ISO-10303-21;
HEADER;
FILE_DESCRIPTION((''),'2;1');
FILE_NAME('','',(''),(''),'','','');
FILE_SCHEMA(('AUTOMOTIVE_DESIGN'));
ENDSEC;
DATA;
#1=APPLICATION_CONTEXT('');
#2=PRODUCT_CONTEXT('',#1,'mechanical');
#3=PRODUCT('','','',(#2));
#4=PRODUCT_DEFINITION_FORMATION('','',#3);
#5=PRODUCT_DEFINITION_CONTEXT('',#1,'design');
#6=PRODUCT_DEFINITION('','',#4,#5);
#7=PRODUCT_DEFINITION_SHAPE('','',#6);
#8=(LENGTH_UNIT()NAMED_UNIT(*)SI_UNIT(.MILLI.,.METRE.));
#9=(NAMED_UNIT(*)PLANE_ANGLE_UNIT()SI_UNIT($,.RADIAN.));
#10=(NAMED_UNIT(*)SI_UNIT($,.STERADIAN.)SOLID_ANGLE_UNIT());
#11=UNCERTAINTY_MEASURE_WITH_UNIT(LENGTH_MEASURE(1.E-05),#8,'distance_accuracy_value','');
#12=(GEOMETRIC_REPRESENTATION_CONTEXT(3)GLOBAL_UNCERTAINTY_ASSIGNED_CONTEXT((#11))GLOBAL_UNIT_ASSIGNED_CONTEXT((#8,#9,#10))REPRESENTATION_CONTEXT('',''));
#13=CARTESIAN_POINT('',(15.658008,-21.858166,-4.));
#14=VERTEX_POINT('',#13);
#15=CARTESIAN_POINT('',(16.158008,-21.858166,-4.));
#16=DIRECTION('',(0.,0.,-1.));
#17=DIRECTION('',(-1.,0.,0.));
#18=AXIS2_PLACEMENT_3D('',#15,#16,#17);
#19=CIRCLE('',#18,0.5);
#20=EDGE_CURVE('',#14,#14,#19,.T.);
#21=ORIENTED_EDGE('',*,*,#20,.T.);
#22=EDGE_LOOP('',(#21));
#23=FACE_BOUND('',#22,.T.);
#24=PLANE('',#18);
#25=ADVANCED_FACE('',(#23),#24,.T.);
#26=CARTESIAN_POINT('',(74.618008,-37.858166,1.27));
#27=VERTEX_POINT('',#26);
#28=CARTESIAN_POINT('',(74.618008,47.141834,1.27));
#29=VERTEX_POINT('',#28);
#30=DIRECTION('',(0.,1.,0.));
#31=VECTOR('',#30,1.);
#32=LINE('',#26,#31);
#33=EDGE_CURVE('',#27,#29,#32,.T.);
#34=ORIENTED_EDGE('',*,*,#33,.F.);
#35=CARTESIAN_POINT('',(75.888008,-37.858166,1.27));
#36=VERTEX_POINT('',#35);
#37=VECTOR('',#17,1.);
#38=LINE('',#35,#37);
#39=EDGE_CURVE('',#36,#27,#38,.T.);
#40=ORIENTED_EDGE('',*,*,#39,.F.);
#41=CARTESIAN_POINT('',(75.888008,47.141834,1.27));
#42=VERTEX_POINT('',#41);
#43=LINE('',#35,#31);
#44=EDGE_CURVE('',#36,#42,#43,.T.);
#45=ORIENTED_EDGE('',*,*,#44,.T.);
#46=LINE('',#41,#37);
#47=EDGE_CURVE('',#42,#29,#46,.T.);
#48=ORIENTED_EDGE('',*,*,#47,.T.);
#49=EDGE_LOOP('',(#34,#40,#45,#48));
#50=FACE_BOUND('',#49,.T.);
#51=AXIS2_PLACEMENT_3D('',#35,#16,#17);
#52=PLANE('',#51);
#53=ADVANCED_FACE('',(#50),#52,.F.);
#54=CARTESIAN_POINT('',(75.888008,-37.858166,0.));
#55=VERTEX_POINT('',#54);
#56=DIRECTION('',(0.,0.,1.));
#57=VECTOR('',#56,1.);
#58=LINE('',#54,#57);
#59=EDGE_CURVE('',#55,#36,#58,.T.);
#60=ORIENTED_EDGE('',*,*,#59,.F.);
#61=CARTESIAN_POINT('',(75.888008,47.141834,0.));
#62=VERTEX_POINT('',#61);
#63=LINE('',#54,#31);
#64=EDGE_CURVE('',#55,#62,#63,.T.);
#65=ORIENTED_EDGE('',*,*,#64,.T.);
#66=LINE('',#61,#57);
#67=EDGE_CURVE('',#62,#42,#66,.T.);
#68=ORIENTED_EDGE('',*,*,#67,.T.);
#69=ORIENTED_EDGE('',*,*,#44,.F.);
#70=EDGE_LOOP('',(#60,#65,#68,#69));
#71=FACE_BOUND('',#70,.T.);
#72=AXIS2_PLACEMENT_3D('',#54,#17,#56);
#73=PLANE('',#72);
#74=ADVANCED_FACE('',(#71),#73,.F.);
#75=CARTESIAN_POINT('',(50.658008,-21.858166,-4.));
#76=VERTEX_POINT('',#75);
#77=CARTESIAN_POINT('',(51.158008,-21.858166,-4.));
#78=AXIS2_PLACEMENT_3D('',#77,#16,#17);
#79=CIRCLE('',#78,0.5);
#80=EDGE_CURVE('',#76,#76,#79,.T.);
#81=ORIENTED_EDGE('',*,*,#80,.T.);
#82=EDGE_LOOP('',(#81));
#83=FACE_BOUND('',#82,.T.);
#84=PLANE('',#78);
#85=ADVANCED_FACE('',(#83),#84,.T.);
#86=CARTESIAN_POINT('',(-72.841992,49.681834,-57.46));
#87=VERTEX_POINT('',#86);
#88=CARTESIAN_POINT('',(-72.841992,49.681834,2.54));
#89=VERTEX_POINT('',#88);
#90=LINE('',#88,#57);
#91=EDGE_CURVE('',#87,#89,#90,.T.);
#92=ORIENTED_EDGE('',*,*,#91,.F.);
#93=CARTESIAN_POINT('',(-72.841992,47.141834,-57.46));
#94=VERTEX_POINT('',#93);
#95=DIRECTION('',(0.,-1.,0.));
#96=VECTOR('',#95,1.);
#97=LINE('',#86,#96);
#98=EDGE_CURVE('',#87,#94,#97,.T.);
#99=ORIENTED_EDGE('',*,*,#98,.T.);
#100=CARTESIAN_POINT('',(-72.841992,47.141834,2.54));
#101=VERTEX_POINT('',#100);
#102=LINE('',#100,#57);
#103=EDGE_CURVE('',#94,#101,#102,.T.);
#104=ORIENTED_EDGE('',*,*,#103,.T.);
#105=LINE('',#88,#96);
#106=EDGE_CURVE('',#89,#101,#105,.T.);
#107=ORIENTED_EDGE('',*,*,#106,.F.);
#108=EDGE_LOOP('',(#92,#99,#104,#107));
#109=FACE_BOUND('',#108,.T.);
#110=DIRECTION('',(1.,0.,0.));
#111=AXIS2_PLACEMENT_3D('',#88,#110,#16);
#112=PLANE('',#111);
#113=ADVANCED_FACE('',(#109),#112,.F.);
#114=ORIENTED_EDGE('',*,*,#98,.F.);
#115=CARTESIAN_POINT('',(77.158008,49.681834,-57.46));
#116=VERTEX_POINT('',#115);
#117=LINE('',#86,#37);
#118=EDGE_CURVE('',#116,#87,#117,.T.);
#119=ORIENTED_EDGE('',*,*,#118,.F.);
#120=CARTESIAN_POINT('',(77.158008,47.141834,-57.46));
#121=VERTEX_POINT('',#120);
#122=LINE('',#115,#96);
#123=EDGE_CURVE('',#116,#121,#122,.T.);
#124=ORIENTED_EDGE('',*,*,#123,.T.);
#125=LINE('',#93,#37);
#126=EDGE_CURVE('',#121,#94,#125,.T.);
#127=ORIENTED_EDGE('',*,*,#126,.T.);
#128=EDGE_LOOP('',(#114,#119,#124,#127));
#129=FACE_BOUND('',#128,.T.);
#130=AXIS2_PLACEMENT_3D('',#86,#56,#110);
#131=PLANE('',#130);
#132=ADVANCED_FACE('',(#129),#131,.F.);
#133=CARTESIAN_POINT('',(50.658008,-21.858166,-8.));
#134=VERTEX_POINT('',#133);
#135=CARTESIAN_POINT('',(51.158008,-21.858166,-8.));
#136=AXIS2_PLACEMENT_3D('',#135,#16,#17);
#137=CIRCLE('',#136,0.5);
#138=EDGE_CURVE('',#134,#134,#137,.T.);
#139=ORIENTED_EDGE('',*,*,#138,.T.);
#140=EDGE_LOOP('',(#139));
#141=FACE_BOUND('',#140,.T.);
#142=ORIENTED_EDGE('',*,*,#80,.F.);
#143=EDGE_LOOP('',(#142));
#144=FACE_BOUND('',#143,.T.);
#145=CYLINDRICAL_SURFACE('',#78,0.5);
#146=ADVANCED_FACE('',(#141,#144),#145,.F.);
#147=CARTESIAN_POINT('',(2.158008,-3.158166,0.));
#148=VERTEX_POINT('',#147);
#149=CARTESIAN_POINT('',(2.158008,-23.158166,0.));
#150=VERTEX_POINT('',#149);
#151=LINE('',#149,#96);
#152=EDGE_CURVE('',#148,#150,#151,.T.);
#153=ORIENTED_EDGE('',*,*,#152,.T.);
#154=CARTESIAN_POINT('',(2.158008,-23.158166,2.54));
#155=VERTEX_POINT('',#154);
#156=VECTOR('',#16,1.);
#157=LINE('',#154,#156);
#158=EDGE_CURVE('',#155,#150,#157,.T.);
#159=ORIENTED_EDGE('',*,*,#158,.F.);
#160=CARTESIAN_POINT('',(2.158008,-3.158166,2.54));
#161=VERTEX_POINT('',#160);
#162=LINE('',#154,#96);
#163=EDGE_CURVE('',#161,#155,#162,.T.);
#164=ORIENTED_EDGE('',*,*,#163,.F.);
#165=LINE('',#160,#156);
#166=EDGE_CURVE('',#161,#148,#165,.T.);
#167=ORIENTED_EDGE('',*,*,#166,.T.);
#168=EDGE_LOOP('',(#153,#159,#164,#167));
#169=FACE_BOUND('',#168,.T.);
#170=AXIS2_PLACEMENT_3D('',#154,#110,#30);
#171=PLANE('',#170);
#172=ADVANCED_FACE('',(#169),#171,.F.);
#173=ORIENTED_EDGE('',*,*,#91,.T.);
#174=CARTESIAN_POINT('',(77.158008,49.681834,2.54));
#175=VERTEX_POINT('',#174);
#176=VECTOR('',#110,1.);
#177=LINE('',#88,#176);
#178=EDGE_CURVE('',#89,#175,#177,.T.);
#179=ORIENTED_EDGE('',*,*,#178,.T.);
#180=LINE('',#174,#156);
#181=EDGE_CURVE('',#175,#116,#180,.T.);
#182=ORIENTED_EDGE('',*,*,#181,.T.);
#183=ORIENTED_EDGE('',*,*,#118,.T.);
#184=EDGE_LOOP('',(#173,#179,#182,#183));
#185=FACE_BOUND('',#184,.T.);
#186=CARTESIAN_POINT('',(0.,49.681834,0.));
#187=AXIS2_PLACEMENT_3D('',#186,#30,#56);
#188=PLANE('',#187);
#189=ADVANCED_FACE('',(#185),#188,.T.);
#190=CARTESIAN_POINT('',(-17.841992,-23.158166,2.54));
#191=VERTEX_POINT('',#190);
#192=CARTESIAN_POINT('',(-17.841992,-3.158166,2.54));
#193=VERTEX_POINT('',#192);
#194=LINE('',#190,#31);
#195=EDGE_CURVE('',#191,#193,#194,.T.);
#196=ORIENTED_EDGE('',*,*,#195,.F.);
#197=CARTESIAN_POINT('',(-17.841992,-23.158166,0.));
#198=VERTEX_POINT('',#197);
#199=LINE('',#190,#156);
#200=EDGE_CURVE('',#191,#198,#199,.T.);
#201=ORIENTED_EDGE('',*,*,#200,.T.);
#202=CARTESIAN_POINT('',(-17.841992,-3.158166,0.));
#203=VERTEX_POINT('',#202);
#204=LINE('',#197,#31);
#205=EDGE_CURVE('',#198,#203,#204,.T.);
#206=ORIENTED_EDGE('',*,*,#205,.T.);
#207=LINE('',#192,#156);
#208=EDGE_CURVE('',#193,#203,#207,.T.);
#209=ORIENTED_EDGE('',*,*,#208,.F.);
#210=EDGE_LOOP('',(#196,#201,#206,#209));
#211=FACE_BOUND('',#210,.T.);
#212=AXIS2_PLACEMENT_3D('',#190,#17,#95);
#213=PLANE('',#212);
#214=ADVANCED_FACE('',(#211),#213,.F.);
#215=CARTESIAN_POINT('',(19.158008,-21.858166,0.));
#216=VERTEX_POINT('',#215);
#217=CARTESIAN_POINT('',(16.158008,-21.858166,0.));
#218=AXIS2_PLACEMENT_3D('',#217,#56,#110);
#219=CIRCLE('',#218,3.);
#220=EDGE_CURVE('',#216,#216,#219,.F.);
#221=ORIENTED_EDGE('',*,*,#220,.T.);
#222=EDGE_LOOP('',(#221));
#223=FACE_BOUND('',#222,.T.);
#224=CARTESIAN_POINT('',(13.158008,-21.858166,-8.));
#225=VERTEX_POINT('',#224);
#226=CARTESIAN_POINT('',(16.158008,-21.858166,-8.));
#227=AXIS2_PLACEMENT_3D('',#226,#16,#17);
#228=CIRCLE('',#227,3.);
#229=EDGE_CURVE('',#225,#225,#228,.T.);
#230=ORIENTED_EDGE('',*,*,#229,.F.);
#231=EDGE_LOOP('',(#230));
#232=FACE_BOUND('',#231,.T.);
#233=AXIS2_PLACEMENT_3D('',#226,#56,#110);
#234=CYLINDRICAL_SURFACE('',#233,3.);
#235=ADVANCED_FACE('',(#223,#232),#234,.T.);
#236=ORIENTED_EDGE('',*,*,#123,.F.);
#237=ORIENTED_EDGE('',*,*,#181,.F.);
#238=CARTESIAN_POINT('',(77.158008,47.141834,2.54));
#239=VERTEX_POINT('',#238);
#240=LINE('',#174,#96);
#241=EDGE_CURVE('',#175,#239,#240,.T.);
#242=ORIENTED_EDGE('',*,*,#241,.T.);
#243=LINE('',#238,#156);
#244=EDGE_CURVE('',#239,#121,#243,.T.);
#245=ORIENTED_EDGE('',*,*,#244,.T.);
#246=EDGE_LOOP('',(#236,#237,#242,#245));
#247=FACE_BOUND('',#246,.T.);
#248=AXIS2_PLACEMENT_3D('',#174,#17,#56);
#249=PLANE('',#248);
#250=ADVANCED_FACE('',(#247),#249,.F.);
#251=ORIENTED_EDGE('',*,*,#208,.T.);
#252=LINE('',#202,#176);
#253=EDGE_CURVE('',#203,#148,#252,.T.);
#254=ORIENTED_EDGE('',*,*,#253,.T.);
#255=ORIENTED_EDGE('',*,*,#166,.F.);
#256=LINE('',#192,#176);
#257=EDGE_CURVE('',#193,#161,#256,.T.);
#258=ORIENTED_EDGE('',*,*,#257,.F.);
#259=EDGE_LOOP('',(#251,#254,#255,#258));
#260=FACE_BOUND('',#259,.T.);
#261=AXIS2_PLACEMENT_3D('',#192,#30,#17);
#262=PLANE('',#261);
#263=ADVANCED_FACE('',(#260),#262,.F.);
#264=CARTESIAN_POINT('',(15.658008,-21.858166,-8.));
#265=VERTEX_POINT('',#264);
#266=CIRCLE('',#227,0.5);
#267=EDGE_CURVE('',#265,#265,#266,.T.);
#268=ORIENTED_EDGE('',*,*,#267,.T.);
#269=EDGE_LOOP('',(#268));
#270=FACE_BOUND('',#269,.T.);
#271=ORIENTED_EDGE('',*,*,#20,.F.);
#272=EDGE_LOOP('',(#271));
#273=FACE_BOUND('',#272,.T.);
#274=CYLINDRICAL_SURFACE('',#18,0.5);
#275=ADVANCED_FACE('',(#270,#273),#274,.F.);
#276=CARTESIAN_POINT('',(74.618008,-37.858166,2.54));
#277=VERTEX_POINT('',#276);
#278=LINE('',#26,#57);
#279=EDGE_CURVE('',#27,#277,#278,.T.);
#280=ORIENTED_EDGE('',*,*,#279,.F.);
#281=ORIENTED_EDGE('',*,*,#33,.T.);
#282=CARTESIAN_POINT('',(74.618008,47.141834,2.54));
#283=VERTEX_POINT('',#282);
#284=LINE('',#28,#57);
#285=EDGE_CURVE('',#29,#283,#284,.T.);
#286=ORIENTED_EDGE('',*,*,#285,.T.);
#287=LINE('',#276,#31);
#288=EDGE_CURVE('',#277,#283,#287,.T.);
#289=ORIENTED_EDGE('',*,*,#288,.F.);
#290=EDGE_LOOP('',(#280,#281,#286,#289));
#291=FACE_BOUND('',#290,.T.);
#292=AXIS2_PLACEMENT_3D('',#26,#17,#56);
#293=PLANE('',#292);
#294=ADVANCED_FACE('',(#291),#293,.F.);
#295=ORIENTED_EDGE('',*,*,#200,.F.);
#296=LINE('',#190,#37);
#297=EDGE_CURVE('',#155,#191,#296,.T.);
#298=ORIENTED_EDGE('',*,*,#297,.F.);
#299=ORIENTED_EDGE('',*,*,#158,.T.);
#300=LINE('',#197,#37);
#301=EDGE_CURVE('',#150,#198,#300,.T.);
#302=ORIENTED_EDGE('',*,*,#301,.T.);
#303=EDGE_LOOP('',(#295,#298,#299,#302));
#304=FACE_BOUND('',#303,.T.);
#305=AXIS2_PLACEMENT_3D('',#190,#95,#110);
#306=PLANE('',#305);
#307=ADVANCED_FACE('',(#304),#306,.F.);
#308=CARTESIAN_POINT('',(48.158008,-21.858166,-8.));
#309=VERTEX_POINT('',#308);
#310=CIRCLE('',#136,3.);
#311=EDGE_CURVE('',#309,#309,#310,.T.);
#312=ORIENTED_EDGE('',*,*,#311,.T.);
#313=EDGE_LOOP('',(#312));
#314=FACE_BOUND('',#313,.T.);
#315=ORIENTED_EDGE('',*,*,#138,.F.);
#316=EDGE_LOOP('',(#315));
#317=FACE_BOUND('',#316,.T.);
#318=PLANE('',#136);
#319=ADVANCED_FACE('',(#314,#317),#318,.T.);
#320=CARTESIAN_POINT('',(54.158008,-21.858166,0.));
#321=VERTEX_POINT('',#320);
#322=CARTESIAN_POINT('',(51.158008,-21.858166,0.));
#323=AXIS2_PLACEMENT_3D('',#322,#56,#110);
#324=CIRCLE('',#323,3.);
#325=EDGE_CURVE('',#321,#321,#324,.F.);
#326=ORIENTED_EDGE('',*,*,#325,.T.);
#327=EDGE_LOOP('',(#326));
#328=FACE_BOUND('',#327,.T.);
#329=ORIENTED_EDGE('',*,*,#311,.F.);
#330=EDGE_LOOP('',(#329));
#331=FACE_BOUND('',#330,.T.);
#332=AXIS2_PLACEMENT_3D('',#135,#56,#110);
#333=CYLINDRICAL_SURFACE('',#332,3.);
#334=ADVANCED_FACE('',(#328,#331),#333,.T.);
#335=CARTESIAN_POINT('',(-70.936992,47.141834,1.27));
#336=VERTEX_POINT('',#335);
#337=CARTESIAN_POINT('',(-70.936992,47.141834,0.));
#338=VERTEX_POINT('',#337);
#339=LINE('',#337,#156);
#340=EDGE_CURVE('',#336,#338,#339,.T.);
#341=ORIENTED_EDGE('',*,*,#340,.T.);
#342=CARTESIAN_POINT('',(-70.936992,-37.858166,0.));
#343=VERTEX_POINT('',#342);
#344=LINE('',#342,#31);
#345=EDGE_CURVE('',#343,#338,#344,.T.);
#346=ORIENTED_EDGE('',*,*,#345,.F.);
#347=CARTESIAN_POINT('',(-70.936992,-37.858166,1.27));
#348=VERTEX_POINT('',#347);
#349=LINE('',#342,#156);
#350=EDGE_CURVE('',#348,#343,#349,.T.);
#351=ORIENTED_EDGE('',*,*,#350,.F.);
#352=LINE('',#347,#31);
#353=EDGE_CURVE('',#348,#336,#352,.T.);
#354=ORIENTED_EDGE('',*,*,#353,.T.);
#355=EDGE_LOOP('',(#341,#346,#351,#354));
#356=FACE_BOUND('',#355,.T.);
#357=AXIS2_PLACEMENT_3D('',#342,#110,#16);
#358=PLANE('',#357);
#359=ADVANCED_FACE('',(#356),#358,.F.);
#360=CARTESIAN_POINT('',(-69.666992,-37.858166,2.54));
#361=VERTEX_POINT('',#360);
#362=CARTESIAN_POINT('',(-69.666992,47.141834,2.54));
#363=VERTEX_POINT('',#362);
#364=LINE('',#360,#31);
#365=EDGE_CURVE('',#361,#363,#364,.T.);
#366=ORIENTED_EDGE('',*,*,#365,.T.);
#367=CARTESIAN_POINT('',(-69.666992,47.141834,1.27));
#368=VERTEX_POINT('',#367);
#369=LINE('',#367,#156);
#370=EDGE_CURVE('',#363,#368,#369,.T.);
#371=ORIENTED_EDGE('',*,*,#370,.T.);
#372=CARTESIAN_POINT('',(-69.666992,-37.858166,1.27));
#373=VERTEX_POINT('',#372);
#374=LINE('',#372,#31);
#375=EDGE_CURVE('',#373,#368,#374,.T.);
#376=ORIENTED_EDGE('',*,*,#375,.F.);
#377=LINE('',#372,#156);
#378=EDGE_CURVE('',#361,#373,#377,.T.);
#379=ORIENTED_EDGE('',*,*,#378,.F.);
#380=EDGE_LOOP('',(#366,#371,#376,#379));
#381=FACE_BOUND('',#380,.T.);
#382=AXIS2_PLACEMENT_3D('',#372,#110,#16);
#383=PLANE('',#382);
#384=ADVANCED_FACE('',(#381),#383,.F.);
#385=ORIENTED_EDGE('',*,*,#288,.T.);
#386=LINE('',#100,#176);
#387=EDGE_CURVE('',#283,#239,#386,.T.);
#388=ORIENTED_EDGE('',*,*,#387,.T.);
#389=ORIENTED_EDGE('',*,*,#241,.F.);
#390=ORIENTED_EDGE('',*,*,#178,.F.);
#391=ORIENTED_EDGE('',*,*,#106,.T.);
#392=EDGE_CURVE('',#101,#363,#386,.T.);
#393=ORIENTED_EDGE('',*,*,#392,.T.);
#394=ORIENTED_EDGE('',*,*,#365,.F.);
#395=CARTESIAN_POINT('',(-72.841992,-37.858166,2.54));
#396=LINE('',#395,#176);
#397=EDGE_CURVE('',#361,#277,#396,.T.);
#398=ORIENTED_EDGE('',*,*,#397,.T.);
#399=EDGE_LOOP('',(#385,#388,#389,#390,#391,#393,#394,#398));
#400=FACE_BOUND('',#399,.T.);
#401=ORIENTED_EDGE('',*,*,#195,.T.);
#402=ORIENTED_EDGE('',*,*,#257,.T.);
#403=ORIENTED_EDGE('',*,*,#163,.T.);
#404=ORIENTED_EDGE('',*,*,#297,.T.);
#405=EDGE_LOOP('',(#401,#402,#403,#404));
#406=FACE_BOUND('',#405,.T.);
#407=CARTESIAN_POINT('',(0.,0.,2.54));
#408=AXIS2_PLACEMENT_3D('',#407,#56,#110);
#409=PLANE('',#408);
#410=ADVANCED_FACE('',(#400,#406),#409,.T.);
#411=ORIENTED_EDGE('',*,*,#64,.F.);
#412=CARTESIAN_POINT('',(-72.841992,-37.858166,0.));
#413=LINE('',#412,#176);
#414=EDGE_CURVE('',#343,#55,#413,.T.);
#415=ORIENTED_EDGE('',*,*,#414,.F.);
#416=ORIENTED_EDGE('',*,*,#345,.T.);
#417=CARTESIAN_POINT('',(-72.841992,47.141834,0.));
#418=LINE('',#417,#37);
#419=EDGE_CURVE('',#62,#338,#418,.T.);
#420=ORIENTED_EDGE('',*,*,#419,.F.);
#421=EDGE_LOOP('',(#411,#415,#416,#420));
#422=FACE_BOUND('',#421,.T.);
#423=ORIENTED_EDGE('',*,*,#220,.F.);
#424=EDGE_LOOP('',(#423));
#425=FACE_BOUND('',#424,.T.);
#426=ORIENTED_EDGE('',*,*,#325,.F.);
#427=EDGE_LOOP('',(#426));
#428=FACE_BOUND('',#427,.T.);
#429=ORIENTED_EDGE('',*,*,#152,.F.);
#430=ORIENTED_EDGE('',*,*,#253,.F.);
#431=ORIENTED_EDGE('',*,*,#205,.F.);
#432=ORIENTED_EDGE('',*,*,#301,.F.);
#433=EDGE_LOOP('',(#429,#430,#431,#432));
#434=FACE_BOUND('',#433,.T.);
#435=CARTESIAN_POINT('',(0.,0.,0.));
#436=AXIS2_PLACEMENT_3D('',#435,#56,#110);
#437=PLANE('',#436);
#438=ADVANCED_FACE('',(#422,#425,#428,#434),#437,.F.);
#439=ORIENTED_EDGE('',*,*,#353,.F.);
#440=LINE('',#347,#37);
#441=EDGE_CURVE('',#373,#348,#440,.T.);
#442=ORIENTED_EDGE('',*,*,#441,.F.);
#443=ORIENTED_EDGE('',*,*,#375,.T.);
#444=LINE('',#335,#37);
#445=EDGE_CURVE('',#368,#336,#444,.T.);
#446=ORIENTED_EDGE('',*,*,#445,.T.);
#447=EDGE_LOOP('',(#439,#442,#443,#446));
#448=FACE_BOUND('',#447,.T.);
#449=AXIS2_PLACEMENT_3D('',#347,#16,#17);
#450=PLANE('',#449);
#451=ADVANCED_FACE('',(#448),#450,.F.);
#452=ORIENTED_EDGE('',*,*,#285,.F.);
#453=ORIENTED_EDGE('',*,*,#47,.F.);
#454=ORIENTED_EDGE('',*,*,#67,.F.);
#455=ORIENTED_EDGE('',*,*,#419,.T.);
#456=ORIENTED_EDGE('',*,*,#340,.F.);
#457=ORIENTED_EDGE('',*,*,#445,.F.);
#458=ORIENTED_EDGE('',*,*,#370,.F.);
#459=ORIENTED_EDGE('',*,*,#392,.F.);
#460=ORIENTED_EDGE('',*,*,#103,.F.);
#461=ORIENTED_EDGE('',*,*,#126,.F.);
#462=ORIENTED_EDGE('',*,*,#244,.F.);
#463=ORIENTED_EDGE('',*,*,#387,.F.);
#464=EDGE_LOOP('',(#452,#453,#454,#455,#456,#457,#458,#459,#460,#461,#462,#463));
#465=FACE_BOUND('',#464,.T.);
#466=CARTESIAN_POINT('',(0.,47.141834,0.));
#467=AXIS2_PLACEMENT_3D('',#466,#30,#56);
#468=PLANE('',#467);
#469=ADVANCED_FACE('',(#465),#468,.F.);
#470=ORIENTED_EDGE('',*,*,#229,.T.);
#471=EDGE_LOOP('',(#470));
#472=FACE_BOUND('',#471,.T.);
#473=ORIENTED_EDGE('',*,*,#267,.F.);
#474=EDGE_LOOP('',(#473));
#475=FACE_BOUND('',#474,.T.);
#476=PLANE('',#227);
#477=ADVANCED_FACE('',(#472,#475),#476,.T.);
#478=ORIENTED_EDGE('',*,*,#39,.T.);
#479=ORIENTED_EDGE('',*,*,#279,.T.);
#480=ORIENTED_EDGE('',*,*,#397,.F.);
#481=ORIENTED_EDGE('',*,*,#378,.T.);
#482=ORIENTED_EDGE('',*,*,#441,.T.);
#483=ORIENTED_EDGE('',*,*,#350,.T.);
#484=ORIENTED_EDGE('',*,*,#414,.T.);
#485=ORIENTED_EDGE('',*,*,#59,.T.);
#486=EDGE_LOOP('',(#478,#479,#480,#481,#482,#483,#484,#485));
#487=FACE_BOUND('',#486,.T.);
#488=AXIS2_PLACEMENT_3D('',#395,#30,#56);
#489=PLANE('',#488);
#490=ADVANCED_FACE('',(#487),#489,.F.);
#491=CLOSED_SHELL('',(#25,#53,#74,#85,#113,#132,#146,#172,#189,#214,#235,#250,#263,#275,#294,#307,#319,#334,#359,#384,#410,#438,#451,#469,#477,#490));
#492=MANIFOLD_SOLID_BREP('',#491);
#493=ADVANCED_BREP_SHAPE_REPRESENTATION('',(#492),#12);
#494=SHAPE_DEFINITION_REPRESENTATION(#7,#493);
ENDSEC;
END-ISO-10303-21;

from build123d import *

# Parameters (mm, degrees)
SKETCH1_W           = 150
SKETCH1_H           = 85
BOSS_EXTRUDE1_DEPTH = 2.54
SKETCH2_W           = 20
SKETCH2_H           = 20
CUT_EXTRUDE1_DEPTH  = 2.54
SKETCH3_R           = 3
BOSS_EXTRUDE2_DEPTH = 8
SKETCH9_R           = 0.5
CUT_EXTRUDE7_DEPTH  = 4
CUT_EXTRUDE8_DEPTH  = 85
SKETCH11_W          = 150
SKETCH11_H          = 60
BOSS_EXTRUDE3_DEPTH = 2.54


with BuildPart() as part:
    # Sketch1 → Boss-Extrude1 (new body)
    with BuildSketch(Plane.XY):
        with Locations((2.158007809, 4.641833841)):
            Rectangle(SKETCH1_W, SKETCH1_H)
    extrude(amount=BOSS_EXTRUDE1_DEPTH)

    # Sketch2 → Cut-Extrude1 (cut)
    with BuildSketch(Plane(origin=(0, 0, 0), x_dir=(-1, 0, 0), z_dir=(0, 0, -1))):
        with Locations((7.841992191, -13.158166159)):
            Rectangle(SKETCH2_W, SKETCH2_H)
    extrude(amount=-CUT_EXTRUDE1_DEPTH, mode=Mode.SUBTRACT)

    # Sketch3 → Boss-Extrude2 (add)
    with BuildSketch(Plane(origin=(0, 0, 0), x_dir=(-1, 0, 0), z_dir=(0, 0, -1))):
        with Locations(Location((-51.158007809, -21.858166159, 0), (0, 0, 180))):
            Circle(SKETCH3_R)
        with Locations(Location((-16.158007809, -21.858166159, 0), (0, 0, 180))):
            Circle(SKETCH3_R)
    extrude(amount=BOSS_EXTRUDE2_DEPTH)

    # Sketch9 → Cut-Extrude7 (cut)
    with BuildSketch(Plane(origin=(0, 0, -8), x_dir=(-1, 0, 0), z_dir=(0, 0, -1))):
        with Locations((-51.158007809, -21.858166159)):
            Circle(SKETCH9_R)
        with Locations((-16.158007809, -21.858166159)):
            Circle(SKETCH9_R)
    extrude(amount=-CUT_EXTRUDE7_DEPTH, mode=Mode.SUBTRACT)

    # Sketch10 → Cut-Extrude8 (cut)
    with BuildSketch(Plane(origin=(0, 47.141833841, 0), x_dir=(1, 0, 0), z_dir=(0, 1, 0))):
        Polygon((-69.666992191, -1.27), (-69.666992191, -2.54), (-72.841992191, -2.54), (-72.841992191, 0), (-70.936992191, 0), (-70.936992191, -1.27), align=None)
        Polygon((75.888007809, 0), (75.888007809, -1.27), (74.618007809, -1.27), (74.618007809, -2.54), (77.158007809, -2.54), (77.158007809, 0), align=None)
    extrude(amount=-CUT_EXTRUDE8_DEPTH, mode=Mode.SUBTRACT)

    # Sketch11 → Boss-Extrude3 (add)
    with BuildSketch(Plane(origin=(0, 47.141833841, 0), x_dir=(1, 0, 0), z_dir=(0, 1, 0))):
        with Locations((2.158007809, 27.46)):
            Rectangle(SKETCH11_W, SKETCH11_H)
    extrude(amount=BOSS_EXTRUDE3_DEPTH)


solid = part.part
